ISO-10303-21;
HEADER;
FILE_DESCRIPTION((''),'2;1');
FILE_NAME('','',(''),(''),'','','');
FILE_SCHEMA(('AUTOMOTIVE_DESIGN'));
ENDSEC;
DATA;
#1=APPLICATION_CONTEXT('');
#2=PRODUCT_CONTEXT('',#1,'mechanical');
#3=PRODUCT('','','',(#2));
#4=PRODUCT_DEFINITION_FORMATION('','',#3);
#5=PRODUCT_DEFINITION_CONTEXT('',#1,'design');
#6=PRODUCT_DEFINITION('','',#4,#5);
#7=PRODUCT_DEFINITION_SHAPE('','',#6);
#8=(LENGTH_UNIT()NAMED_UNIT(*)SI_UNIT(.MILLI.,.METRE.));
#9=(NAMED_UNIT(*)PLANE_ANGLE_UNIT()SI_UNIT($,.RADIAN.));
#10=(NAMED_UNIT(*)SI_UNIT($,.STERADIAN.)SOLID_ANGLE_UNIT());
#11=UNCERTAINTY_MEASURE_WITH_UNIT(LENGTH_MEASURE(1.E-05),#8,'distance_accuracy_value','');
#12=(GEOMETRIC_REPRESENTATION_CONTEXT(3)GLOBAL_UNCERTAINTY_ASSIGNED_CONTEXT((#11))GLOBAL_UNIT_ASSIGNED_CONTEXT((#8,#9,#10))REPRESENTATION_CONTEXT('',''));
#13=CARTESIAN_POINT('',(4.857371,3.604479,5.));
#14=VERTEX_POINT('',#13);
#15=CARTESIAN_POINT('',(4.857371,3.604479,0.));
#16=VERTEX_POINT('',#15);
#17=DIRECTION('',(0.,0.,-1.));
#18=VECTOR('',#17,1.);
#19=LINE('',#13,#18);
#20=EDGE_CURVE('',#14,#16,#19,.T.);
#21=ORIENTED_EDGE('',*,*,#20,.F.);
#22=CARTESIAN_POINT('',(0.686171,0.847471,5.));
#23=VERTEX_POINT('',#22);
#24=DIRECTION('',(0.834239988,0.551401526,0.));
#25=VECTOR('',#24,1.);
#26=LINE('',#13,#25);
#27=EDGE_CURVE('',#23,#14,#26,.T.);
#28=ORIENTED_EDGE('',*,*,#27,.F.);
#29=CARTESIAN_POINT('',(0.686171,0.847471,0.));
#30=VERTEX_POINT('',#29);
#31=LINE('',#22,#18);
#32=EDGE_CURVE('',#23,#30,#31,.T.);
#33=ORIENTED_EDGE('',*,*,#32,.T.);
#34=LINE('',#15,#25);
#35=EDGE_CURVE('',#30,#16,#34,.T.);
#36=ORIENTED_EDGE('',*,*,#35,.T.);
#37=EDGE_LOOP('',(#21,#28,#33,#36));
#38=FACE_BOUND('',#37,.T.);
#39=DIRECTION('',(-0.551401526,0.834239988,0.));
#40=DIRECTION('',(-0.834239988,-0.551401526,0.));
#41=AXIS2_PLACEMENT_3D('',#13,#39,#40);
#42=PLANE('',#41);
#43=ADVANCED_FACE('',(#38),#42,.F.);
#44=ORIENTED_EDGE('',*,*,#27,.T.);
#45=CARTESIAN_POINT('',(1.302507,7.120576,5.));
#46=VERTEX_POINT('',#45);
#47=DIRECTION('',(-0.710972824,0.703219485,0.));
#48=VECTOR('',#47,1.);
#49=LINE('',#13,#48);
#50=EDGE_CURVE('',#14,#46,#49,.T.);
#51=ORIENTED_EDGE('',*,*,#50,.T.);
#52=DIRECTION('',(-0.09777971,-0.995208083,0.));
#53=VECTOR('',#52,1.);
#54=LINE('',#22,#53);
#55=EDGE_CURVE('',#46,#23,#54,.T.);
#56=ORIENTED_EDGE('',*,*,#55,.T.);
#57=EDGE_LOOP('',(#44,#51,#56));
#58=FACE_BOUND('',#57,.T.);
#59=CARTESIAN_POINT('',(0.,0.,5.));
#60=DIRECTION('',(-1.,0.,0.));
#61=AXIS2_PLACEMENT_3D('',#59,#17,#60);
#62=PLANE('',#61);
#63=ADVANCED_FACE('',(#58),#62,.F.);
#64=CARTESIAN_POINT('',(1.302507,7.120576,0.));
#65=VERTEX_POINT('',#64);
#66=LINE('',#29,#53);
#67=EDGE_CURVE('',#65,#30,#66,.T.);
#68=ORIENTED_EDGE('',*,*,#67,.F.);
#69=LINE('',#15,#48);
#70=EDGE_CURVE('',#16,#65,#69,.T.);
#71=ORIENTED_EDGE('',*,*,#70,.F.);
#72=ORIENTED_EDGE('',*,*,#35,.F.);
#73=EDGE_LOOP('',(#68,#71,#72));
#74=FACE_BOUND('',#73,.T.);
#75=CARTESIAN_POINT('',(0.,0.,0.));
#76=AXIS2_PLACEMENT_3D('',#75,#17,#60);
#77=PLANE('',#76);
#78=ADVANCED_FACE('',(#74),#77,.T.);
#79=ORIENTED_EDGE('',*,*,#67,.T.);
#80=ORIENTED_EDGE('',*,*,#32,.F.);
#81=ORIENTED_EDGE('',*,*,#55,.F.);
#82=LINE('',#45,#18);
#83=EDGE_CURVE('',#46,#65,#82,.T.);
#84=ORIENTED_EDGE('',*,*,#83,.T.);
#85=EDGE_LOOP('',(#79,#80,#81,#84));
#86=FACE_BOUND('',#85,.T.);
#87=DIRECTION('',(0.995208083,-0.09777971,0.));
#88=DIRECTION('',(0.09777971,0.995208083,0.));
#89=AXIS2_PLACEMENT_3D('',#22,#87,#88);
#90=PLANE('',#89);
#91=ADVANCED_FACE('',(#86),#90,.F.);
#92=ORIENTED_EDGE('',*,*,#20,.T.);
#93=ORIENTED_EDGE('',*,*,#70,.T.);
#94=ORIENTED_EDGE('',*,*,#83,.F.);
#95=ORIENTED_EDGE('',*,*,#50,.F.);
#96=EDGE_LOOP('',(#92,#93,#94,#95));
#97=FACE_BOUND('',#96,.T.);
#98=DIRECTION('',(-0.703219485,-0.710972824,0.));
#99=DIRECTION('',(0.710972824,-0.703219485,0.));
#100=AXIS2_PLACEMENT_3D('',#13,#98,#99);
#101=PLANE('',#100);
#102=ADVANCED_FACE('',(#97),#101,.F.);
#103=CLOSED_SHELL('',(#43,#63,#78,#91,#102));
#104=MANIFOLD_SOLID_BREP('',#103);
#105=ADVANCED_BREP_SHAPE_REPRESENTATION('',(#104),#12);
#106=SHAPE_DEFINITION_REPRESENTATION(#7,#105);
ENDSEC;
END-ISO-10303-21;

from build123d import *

# Parameters (mm, degrees)
EXTRUDE_1_DEPTH = 5


with BuildPart() as part:
    # 草图2 → 凸台-拉伸1 (new body)
    with BuildSketch(Plane.XY):
        Polygon((4.857370913, 3.604478735), (1.302506795, 7.12057616), (0.686170974, 0.847471105), align=None)
    extrude(amount=EXTRUDE_1_DEPTH)


solid = part.part
